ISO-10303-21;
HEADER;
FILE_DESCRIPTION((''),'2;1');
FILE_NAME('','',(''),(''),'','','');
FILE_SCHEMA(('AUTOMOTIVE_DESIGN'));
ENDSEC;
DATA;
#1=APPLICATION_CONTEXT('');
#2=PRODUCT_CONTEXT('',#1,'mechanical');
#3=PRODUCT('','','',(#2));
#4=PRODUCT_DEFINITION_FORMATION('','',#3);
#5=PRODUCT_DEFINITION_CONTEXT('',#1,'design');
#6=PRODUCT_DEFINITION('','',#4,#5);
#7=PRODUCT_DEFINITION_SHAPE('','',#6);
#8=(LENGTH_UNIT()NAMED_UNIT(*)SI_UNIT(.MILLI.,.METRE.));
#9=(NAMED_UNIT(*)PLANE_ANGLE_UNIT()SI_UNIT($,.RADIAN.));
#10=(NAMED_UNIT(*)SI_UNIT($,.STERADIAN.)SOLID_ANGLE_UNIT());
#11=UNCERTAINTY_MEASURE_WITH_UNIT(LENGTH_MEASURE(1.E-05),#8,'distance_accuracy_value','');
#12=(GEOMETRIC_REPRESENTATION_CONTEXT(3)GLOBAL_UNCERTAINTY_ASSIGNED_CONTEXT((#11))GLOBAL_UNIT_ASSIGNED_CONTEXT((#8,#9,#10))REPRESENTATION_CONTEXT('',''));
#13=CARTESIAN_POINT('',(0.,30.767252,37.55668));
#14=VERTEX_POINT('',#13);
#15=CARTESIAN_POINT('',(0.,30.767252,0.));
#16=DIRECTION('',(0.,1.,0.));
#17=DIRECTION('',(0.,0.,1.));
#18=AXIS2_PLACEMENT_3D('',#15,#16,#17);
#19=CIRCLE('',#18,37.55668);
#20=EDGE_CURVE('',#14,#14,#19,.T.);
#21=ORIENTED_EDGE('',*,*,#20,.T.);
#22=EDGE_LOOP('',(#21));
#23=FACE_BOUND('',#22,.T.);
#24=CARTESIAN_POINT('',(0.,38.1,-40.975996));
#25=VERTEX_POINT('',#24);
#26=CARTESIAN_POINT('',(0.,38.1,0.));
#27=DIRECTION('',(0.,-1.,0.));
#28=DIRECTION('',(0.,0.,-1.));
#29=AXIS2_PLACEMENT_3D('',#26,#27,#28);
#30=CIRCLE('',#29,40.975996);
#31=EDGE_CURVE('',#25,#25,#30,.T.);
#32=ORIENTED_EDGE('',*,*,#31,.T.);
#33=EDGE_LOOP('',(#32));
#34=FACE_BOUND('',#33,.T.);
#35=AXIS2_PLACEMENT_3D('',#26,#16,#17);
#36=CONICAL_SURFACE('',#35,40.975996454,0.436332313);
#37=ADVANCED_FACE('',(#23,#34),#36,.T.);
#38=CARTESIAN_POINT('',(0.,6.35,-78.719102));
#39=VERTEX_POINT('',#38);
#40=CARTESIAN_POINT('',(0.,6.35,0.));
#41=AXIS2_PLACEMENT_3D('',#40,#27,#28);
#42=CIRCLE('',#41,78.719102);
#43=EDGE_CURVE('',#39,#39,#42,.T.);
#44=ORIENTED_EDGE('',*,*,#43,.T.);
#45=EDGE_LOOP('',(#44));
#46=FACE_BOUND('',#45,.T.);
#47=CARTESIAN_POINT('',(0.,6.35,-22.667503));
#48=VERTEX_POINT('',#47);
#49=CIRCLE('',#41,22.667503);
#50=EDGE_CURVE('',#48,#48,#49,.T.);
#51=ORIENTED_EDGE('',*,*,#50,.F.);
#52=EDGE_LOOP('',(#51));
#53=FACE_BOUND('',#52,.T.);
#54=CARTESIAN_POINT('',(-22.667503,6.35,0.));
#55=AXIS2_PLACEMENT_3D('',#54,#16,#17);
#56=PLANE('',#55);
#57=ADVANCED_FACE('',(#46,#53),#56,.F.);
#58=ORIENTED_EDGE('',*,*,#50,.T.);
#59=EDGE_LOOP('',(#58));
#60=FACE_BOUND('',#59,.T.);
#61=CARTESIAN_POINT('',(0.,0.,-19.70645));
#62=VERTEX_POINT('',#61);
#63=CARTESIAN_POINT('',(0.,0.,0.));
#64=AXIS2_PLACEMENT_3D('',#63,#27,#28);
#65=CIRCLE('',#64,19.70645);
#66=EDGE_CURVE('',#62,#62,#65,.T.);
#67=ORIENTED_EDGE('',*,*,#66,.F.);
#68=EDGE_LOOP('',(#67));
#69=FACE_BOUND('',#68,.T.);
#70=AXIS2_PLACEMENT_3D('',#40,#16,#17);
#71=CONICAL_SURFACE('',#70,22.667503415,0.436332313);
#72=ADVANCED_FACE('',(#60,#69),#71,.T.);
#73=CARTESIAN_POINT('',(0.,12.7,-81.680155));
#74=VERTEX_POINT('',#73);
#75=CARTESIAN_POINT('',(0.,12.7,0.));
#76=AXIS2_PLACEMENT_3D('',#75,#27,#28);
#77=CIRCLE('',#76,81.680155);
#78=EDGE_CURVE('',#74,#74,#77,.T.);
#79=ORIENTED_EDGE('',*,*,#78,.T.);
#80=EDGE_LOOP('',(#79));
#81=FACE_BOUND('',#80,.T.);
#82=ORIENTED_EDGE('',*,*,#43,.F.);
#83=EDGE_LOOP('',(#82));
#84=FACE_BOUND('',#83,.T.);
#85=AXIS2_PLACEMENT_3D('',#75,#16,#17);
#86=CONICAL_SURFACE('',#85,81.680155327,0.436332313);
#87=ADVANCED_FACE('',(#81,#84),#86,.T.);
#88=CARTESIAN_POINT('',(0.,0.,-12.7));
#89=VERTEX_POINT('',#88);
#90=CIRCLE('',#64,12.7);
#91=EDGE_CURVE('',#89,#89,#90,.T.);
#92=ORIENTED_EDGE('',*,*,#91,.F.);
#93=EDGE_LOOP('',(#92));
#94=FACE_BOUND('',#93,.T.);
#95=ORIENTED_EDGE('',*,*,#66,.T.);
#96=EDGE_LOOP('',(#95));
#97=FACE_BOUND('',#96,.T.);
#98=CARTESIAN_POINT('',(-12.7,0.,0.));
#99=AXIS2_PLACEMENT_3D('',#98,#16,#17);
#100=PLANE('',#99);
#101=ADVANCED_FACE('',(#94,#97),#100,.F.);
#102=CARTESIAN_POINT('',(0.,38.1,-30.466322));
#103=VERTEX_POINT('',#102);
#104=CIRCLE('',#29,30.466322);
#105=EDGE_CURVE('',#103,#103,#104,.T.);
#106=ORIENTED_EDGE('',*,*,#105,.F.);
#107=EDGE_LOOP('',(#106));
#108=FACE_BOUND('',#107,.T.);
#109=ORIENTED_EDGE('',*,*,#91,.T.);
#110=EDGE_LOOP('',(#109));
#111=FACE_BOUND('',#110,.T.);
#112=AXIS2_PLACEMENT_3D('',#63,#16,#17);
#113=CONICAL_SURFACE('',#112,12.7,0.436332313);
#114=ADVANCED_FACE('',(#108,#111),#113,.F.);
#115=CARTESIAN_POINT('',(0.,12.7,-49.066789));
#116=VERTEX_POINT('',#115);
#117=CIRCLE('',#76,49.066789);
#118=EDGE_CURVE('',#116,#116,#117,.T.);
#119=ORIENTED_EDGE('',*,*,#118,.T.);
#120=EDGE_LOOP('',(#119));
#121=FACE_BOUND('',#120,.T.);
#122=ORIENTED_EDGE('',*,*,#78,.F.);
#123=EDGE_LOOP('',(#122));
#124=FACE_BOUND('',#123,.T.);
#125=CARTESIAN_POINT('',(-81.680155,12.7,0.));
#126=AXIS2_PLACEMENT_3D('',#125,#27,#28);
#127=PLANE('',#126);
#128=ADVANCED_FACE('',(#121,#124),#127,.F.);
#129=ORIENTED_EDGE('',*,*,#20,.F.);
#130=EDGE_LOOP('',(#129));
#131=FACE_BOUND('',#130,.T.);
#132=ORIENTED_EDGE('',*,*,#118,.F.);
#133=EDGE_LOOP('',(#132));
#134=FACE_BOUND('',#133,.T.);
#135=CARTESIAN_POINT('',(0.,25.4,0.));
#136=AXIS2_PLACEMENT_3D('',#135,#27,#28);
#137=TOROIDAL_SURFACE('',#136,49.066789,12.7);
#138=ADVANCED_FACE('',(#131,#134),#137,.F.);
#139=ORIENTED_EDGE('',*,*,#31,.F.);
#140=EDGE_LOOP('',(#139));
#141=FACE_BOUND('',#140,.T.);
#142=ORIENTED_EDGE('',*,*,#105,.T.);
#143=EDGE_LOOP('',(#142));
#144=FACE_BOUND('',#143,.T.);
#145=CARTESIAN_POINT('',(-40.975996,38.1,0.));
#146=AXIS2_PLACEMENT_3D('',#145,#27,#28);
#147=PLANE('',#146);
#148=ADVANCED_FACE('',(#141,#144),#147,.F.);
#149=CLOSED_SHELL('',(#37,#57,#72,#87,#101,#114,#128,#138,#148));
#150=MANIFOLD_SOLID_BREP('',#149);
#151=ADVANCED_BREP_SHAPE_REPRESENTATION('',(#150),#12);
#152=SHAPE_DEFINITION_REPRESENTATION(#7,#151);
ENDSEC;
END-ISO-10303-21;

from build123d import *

# Parameters (mm, degrees)
FILLET1_R = 12.7


with BuildPart() as part:
    # Sketch1 → Revolve1 (revolve)
    with BuildSketch(Plane.XY, mode=Mode.PRIVATE) as revolve1_sk:
        Polygon((-12.7, 0), (-19.706449785, 0), (-22.667503415, 6.35), (-78.719101698, 6.35), (-81.680155327, 12.7), (-29.131781937, 12.7), (-40.975996454, 38.1), (-30.466321776, 38.1), align=None)
    revolve(revolve1_sk.sketch.rotate(Axis((0, 0, 0), (0, 1, 0)), 270), axis=Axis((0, 0, 0), (0, 1, 0)))

    # Fillet1
    fillet1_edges = [part.edges().sort_by_distance(p)[0] for p in [
        (0, 12.7, 29.131781937),
    ]]
    fillet(fillet1_edges, radius=FILLET1_R)


solid = part.part
